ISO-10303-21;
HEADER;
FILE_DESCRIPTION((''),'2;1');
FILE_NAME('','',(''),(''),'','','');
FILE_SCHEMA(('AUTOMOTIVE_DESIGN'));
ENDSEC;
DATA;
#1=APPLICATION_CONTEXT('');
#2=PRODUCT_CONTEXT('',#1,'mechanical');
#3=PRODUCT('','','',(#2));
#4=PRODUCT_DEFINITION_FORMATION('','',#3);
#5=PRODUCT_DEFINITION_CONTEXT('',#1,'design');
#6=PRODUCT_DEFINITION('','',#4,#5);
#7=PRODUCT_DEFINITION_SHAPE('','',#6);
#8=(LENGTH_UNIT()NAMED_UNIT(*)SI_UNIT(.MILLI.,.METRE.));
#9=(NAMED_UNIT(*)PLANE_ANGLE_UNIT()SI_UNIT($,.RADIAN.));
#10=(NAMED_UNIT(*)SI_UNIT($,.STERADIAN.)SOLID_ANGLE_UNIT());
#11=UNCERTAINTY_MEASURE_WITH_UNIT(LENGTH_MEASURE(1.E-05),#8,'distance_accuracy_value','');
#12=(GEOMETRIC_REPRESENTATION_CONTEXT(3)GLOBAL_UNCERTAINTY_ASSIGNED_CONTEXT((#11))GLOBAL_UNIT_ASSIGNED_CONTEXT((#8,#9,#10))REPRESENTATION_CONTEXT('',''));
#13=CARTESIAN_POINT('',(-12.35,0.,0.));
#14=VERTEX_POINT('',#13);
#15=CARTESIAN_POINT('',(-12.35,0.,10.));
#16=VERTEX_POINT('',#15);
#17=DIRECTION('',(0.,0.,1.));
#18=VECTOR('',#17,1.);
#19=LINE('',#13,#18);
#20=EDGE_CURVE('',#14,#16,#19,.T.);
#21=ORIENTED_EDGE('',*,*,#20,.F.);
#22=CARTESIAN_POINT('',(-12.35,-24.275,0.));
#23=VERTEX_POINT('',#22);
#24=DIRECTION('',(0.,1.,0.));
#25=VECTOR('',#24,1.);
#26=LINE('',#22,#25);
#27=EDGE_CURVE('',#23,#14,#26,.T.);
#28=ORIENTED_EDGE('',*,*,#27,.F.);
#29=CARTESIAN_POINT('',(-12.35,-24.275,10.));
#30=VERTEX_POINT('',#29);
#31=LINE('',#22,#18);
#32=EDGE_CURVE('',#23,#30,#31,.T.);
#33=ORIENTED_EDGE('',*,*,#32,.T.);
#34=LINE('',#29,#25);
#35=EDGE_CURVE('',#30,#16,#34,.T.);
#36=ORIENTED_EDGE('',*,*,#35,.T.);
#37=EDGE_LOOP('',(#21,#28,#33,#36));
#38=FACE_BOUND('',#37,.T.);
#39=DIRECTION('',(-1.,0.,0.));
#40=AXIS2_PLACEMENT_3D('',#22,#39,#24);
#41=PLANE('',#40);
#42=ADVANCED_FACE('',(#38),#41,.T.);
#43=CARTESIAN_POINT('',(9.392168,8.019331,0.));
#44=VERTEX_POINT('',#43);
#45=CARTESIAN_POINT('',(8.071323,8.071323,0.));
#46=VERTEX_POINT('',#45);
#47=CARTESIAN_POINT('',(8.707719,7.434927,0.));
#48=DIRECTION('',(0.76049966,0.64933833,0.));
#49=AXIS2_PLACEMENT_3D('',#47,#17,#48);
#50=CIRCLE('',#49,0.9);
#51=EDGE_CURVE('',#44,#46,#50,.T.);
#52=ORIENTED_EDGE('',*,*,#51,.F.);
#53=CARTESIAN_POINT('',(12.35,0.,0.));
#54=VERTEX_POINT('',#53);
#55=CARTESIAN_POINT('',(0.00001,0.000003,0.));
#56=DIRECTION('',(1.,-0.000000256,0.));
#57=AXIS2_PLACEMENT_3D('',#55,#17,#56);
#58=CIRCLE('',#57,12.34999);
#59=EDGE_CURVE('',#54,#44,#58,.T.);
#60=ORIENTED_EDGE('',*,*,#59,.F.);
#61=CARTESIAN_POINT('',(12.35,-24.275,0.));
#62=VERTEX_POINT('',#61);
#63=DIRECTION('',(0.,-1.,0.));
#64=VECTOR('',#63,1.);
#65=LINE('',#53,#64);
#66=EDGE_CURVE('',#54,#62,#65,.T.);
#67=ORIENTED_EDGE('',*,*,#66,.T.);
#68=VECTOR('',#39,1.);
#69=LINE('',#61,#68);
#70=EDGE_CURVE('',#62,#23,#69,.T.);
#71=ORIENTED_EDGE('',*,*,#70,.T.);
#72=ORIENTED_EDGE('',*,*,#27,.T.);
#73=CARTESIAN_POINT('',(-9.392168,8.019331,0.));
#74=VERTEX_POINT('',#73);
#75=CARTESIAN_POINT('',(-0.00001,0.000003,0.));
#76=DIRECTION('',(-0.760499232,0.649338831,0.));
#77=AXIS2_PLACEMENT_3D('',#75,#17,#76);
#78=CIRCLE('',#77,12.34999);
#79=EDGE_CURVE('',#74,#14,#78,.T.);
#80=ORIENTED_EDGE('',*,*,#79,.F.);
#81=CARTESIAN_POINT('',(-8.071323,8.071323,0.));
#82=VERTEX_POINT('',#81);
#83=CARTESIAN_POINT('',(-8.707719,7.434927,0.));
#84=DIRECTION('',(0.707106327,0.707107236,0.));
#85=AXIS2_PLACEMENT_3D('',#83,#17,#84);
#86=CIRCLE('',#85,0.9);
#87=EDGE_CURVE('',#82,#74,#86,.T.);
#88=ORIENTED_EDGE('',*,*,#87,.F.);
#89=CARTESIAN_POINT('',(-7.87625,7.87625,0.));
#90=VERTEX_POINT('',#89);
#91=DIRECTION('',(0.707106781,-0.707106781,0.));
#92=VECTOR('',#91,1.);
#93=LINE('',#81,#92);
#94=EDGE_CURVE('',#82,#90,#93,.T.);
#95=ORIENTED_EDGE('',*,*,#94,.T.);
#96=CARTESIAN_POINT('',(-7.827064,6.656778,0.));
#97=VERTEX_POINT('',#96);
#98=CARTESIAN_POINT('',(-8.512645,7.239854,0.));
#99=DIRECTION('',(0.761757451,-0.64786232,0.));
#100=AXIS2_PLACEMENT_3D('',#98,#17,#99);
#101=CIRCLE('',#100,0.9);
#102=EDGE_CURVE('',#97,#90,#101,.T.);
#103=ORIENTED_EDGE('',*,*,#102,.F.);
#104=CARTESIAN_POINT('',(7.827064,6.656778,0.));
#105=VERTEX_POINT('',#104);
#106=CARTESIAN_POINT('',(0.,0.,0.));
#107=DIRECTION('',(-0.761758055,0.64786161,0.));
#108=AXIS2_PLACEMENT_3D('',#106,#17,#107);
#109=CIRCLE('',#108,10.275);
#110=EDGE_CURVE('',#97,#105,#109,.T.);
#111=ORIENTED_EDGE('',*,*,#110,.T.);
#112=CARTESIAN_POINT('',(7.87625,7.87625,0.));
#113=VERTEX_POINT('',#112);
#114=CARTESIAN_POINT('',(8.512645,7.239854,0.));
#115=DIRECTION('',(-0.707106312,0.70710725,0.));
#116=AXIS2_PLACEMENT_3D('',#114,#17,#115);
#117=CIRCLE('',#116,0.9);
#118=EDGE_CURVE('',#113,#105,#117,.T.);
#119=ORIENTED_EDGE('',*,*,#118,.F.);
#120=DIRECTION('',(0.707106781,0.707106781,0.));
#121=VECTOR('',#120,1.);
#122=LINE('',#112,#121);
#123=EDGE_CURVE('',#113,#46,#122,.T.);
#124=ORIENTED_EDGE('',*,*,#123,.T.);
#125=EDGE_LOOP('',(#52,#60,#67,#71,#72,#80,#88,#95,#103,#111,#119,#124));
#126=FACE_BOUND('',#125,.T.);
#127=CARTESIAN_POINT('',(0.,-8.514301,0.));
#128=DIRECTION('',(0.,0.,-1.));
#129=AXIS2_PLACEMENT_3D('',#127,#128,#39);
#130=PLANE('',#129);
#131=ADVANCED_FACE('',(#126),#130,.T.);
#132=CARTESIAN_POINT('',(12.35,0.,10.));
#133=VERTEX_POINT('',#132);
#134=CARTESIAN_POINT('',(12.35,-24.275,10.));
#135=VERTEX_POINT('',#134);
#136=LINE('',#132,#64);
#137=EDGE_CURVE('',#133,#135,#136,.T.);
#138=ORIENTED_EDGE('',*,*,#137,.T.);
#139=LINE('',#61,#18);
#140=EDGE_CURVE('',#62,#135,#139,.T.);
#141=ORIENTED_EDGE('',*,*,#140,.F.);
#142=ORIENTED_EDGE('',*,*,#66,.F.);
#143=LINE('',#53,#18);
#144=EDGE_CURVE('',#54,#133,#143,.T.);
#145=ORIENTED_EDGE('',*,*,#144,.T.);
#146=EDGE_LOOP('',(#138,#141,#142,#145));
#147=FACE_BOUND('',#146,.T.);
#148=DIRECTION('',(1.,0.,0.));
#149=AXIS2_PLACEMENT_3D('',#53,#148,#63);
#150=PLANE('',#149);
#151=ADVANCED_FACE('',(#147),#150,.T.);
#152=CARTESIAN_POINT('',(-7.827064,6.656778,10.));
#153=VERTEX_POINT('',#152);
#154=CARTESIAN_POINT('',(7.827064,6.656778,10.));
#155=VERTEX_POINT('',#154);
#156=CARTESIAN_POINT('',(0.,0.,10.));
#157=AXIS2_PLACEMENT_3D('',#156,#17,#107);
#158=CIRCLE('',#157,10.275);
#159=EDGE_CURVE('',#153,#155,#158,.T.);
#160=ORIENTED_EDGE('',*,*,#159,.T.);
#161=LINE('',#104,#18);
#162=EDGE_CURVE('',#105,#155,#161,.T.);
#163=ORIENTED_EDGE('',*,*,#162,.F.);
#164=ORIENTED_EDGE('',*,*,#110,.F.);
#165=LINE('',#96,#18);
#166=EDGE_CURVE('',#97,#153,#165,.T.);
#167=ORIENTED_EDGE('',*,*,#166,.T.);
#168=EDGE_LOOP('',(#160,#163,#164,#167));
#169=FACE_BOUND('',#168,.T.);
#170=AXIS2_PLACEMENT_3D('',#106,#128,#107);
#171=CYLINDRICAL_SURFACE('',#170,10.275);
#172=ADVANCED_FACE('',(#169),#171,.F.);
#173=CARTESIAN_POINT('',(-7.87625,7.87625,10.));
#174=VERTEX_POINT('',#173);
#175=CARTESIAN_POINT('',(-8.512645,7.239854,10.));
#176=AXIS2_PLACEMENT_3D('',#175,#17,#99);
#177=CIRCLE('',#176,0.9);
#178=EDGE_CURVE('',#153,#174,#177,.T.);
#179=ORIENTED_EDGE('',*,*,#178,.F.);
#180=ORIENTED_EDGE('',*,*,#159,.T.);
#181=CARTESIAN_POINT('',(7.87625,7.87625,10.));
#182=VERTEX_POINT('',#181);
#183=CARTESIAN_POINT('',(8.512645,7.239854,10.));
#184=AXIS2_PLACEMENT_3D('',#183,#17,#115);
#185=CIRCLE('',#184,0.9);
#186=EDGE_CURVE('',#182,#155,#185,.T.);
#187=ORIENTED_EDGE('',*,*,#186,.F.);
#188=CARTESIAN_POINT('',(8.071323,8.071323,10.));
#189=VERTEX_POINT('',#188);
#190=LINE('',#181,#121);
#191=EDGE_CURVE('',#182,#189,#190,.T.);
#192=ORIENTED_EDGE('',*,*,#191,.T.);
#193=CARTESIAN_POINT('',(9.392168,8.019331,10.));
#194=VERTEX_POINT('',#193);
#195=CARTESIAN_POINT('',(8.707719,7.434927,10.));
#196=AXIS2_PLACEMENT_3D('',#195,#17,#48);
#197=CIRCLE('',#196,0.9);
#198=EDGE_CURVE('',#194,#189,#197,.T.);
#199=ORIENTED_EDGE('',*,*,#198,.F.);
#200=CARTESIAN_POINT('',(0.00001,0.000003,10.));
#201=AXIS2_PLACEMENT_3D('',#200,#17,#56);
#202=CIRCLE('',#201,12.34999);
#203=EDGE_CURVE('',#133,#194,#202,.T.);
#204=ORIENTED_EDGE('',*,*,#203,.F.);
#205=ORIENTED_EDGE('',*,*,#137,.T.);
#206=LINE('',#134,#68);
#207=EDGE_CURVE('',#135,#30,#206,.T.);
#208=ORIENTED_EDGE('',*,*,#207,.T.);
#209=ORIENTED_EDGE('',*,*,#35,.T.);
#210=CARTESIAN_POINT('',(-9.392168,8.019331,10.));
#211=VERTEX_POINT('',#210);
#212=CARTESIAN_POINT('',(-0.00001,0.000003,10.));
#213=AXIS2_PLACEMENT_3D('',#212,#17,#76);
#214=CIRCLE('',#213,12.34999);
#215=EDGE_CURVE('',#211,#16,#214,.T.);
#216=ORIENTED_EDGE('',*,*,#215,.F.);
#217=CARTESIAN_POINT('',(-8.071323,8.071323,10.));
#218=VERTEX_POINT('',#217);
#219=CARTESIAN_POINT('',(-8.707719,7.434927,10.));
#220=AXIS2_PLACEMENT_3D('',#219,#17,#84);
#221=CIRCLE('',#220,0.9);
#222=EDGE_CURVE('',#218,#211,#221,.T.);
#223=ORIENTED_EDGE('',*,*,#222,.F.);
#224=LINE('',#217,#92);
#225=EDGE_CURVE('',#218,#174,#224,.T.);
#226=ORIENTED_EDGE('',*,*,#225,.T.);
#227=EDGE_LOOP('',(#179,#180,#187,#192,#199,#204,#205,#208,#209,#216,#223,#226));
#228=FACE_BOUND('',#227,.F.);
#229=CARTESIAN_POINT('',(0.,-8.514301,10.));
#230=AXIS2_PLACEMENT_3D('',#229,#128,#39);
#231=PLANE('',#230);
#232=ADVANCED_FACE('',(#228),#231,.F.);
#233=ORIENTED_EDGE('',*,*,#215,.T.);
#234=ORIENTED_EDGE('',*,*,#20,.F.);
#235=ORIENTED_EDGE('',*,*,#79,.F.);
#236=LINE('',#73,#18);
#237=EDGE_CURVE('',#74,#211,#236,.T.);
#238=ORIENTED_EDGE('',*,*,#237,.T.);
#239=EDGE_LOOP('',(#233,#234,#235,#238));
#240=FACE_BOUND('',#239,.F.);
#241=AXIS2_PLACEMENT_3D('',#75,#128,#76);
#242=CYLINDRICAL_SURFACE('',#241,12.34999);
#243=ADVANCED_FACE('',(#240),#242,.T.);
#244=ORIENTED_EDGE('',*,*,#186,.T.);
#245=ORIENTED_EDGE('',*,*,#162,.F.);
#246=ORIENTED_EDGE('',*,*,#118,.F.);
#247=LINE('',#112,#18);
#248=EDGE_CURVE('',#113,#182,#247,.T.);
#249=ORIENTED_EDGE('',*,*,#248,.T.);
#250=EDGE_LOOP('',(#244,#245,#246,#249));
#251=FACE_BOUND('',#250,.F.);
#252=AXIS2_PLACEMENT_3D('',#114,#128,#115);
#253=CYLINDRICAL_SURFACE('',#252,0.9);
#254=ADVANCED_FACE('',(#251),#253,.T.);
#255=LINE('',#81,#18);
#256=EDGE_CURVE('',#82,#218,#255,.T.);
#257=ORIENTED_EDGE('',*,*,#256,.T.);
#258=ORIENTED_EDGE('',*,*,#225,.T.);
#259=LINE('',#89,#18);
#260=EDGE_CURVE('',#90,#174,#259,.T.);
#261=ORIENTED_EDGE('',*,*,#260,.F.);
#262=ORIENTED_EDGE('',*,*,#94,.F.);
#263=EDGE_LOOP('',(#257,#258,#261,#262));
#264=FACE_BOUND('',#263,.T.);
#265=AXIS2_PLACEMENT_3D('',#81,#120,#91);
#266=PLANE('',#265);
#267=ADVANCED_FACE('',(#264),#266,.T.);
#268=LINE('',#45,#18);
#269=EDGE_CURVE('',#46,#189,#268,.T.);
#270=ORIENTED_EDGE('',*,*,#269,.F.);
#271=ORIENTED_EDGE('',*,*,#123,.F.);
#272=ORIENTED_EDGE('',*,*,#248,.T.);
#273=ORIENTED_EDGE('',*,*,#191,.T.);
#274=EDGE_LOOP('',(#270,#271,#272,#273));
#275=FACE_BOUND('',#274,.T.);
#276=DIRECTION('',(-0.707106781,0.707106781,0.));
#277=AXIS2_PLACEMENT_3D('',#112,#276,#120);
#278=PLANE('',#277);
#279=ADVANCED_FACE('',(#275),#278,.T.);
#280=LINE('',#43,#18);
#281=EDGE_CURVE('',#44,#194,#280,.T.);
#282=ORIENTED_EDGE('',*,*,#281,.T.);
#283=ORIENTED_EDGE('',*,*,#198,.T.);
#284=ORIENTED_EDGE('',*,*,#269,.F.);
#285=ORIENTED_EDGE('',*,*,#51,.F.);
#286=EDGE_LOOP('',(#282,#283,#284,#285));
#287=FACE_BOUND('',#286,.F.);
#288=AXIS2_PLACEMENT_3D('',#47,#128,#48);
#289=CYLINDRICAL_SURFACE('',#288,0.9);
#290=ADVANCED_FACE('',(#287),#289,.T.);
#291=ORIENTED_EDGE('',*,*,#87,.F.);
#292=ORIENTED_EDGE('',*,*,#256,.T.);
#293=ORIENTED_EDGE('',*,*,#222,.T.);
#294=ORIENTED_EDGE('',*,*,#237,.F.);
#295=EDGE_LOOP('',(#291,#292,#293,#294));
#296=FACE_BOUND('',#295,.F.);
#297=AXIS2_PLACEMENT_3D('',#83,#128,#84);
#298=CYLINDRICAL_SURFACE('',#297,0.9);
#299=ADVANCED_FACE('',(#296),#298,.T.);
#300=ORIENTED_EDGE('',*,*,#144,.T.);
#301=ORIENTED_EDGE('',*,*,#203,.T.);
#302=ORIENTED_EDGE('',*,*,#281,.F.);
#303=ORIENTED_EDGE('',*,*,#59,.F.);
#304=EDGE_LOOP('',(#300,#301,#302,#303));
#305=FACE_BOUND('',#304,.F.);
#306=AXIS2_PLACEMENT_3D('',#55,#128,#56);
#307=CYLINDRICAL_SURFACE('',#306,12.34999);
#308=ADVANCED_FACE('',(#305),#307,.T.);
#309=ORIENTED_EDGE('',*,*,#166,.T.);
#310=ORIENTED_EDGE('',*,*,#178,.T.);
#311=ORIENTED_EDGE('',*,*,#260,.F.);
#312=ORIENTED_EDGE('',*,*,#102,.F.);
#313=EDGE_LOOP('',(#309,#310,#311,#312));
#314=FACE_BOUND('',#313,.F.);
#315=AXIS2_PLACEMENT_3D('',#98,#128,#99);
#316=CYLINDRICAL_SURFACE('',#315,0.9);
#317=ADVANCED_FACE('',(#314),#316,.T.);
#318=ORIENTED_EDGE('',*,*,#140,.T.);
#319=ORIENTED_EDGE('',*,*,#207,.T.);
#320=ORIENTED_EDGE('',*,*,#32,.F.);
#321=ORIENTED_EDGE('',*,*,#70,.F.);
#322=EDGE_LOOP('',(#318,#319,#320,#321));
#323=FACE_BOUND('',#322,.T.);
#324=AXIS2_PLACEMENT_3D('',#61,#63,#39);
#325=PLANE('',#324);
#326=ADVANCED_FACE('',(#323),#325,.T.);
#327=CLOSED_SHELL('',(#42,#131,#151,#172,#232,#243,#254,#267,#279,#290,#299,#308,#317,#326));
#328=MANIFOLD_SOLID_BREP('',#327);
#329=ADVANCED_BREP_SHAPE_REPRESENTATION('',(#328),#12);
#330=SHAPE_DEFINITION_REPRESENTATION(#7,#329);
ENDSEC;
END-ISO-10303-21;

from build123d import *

# Parameters (mm, degrees)
PAD_DEPTH = 10


with BuildPart() as part:
    # Sketch → Pad (new body)
    with BuildSketch(Plane.XY):
        with BuildLine():
            ThreePointArc((-7.827064, 6.656778), (0, -10.275), (7.827064, 6.656778))
            ThreePointArc((7.87625, 7.87625), (7.613377, 7.276125), (7.827064, 6.656778))
            Line((7.87625, 7.87625), (8.071323, 8.071323))
            ThreePointArc((9.392168, 8.019331), (8.743117, 8.33423), (8.071323, 8.071323))
            ThreePointArc((12.35, 0), (11.586971, 4.273712), (9.392168, 8.019331))
            Line((12.35, 0), (12.35, -24.275))
            Line((12.35, -24.275), (-12.35, -24.275))
            Line((-12.35, -24.275), (-12.35, 0))
            ThreePointArc((-9.392168, 8.019331), (-11.586971, 4.273712), (-12.35, 0))
            ThreePointArc((-8.071323, 8.071323), (-8.743117, 8.33423), (-9.392168, 8.019331))
            Line((-8.071323, 8.071323), (-7.87625, 7.87625))
            ThreePointArc((-7.827064, 6.656778), (-7.613377, 7.276125), (-7.87625, 7.87625))
        make_face()
    extrude(amount=PAD_DEPTH)


solid = part.part
